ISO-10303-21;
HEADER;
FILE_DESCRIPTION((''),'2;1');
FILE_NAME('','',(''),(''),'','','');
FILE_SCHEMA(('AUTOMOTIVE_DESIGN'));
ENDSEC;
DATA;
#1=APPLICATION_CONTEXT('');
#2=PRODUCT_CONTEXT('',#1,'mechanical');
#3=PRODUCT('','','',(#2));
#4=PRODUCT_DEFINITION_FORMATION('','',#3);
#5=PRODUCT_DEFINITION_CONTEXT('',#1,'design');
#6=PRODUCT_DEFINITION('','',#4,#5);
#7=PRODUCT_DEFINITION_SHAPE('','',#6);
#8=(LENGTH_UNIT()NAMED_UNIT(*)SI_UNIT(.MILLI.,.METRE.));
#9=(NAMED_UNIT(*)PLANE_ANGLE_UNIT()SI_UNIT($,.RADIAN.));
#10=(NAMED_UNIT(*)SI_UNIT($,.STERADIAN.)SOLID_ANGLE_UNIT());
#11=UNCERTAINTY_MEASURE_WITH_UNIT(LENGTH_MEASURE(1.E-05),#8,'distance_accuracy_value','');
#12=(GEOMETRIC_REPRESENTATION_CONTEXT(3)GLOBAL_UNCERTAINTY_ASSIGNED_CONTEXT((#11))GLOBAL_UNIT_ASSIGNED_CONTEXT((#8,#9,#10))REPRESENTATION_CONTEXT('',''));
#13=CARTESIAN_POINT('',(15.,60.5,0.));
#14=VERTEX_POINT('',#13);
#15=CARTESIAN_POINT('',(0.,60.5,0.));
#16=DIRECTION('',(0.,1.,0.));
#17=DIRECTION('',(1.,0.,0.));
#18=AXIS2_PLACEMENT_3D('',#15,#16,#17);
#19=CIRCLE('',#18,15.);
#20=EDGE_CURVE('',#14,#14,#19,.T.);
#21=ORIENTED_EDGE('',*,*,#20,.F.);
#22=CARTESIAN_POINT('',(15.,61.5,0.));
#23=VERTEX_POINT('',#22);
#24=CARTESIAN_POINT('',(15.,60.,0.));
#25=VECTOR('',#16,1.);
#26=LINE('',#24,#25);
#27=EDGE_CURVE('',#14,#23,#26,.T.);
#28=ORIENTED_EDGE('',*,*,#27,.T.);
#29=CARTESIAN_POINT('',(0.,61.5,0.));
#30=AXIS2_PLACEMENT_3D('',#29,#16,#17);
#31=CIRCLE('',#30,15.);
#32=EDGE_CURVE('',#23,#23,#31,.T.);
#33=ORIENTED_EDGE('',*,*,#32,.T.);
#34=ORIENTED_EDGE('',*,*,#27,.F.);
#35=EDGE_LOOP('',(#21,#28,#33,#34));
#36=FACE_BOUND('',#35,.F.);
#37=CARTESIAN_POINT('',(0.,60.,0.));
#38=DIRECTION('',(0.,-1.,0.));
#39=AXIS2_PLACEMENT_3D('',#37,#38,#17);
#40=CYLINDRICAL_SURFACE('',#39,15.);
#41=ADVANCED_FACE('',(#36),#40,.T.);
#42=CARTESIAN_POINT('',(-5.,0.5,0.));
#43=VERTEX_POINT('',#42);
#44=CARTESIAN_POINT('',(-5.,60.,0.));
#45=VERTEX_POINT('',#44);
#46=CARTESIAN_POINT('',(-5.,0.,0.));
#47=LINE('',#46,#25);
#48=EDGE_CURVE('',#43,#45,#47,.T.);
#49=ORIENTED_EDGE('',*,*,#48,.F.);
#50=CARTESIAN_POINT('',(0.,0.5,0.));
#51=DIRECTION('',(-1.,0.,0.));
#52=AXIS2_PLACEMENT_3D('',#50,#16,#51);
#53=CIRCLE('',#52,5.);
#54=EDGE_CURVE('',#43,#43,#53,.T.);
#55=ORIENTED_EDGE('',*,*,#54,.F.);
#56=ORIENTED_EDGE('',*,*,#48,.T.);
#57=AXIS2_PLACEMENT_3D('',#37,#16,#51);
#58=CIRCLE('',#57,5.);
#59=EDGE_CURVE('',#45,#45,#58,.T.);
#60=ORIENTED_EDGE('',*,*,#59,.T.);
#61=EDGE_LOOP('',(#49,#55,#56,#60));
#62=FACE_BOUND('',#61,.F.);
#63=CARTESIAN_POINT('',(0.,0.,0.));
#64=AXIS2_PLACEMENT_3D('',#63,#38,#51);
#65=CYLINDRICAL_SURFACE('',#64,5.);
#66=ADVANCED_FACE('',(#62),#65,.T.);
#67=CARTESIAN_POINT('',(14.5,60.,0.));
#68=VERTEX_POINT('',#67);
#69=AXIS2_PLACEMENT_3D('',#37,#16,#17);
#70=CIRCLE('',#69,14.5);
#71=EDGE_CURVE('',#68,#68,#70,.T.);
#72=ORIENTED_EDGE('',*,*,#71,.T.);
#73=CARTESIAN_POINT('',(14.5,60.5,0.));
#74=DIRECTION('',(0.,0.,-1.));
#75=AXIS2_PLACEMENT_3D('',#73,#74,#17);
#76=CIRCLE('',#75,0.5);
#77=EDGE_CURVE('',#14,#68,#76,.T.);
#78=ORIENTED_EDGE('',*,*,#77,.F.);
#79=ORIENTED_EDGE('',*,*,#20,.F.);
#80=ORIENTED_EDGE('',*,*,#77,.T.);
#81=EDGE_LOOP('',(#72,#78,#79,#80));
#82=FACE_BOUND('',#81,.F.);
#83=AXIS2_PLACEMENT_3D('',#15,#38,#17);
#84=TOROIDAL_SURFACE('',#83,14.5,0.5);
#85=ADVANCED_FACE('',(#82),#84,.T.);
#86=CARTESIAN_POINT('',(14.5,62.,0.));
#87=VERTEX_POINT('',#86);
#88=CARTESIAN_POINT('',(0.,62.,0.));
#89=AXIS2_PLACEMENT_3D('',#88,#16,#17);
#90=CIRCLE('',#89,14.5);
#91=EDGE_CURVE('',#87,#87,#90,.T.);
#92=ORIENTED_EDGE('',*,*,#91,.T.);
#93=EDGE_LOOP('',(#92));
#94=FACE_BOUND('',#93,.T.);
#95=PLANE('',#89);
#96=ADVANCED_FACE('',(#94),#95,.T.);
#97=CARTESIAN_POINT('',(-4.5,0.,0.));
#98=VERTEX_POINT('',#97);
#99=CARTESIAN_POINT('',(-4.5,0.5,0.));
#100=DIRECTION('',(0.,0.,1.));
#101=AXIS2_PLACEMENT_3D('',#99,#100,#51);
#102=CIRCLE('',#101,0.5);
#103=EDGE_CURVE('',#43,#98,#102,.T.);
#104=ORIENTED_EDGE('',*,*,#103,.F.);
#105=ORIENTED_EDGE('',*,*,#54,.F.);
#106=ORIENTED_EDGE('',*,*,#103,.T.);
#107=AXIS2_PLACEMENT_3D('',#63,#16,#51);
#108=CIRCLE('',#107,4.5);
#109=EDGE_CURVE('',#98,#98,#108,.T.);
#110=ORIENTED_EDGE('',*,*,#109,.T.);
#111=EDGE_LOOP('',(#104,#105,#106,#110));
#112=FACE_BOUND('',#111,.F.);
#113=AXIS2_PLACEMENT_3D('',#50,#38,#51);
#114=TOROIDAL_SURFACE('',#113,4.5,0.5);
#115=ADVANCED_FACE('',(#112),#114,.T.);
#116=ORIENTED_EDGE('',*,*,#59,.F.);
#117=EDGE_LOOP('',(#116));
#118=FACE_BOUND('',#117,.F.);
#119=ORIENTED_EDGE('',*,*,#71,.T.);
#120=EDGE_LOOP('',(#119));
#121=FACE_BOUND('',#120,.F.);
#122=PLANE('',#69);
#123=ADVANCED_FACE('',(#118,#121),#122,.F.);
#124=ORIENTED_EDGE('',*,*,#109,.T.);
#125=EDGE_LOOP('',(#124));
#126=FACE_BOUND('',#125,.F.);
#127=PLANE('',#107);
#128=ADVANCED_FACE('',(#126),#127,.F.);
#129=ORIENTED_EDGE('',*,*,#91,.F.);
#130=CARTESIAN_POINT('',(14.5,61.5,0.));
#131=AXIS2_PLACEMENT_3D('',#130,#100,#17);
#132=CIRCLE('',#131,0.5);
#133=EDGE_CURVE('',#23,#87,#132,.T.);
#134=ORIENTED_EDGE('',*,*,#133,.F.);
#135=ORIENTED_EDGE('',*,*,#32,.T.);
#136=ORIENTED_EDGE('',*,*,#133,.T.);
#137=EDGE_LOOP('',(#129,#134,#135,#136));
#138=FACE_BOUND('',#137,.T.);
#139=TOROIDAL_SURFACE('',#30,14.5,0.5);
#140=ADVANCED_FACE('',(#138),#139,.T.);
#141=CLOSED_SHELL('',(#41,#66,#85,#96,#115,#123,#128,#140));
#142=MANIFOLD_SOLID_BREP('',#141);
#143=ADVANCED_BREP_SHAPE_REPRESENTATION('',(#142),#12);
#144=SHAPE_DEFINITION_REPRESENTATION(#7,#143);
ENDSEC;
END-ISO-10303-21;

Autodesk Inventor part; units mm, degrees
ref_plane "YZ Plane" through (0, 0, 0) normal (1, 0, 0) x (0, 1, 0)
ref_plane "XZ Plane" through (0, 0, 0) normal (0, 1, 0) x (-1, 0, 0)
ref_plane "XY Plane" through (0, 0, 0) normal (0, 0, 1) x (1, 0, 0)
sketch "Boceto1" plane through (0, 0, 0) normal (0, 1, 0) x (-1, 0, 0)
  circle A0 centre (0, 0) radius 5
  dimension "d0" = 10
extrude "Extrusión1" add sketch "Boceto1" along normal blind 60
sketch "Boceto2" plane through (0, 60, 0) normal (0, 1, 0) x (1, 0, 0)
  circle A0 centre (0, 0) radius 15
  dimension "d3" = 30
extrude "Extrusión2" add sketch "Boceto2" along normal blind 2
fillet "Empalme1" radius 0.5 1 edges at (-15, 62, 0)
fillet "Empalme2" radius 0.5 1 edges at (-15, 60, 0)
fillet "Empalme3" radius 0.5 1 edges at (5, 0, 0)
properties part number "Pasador"
